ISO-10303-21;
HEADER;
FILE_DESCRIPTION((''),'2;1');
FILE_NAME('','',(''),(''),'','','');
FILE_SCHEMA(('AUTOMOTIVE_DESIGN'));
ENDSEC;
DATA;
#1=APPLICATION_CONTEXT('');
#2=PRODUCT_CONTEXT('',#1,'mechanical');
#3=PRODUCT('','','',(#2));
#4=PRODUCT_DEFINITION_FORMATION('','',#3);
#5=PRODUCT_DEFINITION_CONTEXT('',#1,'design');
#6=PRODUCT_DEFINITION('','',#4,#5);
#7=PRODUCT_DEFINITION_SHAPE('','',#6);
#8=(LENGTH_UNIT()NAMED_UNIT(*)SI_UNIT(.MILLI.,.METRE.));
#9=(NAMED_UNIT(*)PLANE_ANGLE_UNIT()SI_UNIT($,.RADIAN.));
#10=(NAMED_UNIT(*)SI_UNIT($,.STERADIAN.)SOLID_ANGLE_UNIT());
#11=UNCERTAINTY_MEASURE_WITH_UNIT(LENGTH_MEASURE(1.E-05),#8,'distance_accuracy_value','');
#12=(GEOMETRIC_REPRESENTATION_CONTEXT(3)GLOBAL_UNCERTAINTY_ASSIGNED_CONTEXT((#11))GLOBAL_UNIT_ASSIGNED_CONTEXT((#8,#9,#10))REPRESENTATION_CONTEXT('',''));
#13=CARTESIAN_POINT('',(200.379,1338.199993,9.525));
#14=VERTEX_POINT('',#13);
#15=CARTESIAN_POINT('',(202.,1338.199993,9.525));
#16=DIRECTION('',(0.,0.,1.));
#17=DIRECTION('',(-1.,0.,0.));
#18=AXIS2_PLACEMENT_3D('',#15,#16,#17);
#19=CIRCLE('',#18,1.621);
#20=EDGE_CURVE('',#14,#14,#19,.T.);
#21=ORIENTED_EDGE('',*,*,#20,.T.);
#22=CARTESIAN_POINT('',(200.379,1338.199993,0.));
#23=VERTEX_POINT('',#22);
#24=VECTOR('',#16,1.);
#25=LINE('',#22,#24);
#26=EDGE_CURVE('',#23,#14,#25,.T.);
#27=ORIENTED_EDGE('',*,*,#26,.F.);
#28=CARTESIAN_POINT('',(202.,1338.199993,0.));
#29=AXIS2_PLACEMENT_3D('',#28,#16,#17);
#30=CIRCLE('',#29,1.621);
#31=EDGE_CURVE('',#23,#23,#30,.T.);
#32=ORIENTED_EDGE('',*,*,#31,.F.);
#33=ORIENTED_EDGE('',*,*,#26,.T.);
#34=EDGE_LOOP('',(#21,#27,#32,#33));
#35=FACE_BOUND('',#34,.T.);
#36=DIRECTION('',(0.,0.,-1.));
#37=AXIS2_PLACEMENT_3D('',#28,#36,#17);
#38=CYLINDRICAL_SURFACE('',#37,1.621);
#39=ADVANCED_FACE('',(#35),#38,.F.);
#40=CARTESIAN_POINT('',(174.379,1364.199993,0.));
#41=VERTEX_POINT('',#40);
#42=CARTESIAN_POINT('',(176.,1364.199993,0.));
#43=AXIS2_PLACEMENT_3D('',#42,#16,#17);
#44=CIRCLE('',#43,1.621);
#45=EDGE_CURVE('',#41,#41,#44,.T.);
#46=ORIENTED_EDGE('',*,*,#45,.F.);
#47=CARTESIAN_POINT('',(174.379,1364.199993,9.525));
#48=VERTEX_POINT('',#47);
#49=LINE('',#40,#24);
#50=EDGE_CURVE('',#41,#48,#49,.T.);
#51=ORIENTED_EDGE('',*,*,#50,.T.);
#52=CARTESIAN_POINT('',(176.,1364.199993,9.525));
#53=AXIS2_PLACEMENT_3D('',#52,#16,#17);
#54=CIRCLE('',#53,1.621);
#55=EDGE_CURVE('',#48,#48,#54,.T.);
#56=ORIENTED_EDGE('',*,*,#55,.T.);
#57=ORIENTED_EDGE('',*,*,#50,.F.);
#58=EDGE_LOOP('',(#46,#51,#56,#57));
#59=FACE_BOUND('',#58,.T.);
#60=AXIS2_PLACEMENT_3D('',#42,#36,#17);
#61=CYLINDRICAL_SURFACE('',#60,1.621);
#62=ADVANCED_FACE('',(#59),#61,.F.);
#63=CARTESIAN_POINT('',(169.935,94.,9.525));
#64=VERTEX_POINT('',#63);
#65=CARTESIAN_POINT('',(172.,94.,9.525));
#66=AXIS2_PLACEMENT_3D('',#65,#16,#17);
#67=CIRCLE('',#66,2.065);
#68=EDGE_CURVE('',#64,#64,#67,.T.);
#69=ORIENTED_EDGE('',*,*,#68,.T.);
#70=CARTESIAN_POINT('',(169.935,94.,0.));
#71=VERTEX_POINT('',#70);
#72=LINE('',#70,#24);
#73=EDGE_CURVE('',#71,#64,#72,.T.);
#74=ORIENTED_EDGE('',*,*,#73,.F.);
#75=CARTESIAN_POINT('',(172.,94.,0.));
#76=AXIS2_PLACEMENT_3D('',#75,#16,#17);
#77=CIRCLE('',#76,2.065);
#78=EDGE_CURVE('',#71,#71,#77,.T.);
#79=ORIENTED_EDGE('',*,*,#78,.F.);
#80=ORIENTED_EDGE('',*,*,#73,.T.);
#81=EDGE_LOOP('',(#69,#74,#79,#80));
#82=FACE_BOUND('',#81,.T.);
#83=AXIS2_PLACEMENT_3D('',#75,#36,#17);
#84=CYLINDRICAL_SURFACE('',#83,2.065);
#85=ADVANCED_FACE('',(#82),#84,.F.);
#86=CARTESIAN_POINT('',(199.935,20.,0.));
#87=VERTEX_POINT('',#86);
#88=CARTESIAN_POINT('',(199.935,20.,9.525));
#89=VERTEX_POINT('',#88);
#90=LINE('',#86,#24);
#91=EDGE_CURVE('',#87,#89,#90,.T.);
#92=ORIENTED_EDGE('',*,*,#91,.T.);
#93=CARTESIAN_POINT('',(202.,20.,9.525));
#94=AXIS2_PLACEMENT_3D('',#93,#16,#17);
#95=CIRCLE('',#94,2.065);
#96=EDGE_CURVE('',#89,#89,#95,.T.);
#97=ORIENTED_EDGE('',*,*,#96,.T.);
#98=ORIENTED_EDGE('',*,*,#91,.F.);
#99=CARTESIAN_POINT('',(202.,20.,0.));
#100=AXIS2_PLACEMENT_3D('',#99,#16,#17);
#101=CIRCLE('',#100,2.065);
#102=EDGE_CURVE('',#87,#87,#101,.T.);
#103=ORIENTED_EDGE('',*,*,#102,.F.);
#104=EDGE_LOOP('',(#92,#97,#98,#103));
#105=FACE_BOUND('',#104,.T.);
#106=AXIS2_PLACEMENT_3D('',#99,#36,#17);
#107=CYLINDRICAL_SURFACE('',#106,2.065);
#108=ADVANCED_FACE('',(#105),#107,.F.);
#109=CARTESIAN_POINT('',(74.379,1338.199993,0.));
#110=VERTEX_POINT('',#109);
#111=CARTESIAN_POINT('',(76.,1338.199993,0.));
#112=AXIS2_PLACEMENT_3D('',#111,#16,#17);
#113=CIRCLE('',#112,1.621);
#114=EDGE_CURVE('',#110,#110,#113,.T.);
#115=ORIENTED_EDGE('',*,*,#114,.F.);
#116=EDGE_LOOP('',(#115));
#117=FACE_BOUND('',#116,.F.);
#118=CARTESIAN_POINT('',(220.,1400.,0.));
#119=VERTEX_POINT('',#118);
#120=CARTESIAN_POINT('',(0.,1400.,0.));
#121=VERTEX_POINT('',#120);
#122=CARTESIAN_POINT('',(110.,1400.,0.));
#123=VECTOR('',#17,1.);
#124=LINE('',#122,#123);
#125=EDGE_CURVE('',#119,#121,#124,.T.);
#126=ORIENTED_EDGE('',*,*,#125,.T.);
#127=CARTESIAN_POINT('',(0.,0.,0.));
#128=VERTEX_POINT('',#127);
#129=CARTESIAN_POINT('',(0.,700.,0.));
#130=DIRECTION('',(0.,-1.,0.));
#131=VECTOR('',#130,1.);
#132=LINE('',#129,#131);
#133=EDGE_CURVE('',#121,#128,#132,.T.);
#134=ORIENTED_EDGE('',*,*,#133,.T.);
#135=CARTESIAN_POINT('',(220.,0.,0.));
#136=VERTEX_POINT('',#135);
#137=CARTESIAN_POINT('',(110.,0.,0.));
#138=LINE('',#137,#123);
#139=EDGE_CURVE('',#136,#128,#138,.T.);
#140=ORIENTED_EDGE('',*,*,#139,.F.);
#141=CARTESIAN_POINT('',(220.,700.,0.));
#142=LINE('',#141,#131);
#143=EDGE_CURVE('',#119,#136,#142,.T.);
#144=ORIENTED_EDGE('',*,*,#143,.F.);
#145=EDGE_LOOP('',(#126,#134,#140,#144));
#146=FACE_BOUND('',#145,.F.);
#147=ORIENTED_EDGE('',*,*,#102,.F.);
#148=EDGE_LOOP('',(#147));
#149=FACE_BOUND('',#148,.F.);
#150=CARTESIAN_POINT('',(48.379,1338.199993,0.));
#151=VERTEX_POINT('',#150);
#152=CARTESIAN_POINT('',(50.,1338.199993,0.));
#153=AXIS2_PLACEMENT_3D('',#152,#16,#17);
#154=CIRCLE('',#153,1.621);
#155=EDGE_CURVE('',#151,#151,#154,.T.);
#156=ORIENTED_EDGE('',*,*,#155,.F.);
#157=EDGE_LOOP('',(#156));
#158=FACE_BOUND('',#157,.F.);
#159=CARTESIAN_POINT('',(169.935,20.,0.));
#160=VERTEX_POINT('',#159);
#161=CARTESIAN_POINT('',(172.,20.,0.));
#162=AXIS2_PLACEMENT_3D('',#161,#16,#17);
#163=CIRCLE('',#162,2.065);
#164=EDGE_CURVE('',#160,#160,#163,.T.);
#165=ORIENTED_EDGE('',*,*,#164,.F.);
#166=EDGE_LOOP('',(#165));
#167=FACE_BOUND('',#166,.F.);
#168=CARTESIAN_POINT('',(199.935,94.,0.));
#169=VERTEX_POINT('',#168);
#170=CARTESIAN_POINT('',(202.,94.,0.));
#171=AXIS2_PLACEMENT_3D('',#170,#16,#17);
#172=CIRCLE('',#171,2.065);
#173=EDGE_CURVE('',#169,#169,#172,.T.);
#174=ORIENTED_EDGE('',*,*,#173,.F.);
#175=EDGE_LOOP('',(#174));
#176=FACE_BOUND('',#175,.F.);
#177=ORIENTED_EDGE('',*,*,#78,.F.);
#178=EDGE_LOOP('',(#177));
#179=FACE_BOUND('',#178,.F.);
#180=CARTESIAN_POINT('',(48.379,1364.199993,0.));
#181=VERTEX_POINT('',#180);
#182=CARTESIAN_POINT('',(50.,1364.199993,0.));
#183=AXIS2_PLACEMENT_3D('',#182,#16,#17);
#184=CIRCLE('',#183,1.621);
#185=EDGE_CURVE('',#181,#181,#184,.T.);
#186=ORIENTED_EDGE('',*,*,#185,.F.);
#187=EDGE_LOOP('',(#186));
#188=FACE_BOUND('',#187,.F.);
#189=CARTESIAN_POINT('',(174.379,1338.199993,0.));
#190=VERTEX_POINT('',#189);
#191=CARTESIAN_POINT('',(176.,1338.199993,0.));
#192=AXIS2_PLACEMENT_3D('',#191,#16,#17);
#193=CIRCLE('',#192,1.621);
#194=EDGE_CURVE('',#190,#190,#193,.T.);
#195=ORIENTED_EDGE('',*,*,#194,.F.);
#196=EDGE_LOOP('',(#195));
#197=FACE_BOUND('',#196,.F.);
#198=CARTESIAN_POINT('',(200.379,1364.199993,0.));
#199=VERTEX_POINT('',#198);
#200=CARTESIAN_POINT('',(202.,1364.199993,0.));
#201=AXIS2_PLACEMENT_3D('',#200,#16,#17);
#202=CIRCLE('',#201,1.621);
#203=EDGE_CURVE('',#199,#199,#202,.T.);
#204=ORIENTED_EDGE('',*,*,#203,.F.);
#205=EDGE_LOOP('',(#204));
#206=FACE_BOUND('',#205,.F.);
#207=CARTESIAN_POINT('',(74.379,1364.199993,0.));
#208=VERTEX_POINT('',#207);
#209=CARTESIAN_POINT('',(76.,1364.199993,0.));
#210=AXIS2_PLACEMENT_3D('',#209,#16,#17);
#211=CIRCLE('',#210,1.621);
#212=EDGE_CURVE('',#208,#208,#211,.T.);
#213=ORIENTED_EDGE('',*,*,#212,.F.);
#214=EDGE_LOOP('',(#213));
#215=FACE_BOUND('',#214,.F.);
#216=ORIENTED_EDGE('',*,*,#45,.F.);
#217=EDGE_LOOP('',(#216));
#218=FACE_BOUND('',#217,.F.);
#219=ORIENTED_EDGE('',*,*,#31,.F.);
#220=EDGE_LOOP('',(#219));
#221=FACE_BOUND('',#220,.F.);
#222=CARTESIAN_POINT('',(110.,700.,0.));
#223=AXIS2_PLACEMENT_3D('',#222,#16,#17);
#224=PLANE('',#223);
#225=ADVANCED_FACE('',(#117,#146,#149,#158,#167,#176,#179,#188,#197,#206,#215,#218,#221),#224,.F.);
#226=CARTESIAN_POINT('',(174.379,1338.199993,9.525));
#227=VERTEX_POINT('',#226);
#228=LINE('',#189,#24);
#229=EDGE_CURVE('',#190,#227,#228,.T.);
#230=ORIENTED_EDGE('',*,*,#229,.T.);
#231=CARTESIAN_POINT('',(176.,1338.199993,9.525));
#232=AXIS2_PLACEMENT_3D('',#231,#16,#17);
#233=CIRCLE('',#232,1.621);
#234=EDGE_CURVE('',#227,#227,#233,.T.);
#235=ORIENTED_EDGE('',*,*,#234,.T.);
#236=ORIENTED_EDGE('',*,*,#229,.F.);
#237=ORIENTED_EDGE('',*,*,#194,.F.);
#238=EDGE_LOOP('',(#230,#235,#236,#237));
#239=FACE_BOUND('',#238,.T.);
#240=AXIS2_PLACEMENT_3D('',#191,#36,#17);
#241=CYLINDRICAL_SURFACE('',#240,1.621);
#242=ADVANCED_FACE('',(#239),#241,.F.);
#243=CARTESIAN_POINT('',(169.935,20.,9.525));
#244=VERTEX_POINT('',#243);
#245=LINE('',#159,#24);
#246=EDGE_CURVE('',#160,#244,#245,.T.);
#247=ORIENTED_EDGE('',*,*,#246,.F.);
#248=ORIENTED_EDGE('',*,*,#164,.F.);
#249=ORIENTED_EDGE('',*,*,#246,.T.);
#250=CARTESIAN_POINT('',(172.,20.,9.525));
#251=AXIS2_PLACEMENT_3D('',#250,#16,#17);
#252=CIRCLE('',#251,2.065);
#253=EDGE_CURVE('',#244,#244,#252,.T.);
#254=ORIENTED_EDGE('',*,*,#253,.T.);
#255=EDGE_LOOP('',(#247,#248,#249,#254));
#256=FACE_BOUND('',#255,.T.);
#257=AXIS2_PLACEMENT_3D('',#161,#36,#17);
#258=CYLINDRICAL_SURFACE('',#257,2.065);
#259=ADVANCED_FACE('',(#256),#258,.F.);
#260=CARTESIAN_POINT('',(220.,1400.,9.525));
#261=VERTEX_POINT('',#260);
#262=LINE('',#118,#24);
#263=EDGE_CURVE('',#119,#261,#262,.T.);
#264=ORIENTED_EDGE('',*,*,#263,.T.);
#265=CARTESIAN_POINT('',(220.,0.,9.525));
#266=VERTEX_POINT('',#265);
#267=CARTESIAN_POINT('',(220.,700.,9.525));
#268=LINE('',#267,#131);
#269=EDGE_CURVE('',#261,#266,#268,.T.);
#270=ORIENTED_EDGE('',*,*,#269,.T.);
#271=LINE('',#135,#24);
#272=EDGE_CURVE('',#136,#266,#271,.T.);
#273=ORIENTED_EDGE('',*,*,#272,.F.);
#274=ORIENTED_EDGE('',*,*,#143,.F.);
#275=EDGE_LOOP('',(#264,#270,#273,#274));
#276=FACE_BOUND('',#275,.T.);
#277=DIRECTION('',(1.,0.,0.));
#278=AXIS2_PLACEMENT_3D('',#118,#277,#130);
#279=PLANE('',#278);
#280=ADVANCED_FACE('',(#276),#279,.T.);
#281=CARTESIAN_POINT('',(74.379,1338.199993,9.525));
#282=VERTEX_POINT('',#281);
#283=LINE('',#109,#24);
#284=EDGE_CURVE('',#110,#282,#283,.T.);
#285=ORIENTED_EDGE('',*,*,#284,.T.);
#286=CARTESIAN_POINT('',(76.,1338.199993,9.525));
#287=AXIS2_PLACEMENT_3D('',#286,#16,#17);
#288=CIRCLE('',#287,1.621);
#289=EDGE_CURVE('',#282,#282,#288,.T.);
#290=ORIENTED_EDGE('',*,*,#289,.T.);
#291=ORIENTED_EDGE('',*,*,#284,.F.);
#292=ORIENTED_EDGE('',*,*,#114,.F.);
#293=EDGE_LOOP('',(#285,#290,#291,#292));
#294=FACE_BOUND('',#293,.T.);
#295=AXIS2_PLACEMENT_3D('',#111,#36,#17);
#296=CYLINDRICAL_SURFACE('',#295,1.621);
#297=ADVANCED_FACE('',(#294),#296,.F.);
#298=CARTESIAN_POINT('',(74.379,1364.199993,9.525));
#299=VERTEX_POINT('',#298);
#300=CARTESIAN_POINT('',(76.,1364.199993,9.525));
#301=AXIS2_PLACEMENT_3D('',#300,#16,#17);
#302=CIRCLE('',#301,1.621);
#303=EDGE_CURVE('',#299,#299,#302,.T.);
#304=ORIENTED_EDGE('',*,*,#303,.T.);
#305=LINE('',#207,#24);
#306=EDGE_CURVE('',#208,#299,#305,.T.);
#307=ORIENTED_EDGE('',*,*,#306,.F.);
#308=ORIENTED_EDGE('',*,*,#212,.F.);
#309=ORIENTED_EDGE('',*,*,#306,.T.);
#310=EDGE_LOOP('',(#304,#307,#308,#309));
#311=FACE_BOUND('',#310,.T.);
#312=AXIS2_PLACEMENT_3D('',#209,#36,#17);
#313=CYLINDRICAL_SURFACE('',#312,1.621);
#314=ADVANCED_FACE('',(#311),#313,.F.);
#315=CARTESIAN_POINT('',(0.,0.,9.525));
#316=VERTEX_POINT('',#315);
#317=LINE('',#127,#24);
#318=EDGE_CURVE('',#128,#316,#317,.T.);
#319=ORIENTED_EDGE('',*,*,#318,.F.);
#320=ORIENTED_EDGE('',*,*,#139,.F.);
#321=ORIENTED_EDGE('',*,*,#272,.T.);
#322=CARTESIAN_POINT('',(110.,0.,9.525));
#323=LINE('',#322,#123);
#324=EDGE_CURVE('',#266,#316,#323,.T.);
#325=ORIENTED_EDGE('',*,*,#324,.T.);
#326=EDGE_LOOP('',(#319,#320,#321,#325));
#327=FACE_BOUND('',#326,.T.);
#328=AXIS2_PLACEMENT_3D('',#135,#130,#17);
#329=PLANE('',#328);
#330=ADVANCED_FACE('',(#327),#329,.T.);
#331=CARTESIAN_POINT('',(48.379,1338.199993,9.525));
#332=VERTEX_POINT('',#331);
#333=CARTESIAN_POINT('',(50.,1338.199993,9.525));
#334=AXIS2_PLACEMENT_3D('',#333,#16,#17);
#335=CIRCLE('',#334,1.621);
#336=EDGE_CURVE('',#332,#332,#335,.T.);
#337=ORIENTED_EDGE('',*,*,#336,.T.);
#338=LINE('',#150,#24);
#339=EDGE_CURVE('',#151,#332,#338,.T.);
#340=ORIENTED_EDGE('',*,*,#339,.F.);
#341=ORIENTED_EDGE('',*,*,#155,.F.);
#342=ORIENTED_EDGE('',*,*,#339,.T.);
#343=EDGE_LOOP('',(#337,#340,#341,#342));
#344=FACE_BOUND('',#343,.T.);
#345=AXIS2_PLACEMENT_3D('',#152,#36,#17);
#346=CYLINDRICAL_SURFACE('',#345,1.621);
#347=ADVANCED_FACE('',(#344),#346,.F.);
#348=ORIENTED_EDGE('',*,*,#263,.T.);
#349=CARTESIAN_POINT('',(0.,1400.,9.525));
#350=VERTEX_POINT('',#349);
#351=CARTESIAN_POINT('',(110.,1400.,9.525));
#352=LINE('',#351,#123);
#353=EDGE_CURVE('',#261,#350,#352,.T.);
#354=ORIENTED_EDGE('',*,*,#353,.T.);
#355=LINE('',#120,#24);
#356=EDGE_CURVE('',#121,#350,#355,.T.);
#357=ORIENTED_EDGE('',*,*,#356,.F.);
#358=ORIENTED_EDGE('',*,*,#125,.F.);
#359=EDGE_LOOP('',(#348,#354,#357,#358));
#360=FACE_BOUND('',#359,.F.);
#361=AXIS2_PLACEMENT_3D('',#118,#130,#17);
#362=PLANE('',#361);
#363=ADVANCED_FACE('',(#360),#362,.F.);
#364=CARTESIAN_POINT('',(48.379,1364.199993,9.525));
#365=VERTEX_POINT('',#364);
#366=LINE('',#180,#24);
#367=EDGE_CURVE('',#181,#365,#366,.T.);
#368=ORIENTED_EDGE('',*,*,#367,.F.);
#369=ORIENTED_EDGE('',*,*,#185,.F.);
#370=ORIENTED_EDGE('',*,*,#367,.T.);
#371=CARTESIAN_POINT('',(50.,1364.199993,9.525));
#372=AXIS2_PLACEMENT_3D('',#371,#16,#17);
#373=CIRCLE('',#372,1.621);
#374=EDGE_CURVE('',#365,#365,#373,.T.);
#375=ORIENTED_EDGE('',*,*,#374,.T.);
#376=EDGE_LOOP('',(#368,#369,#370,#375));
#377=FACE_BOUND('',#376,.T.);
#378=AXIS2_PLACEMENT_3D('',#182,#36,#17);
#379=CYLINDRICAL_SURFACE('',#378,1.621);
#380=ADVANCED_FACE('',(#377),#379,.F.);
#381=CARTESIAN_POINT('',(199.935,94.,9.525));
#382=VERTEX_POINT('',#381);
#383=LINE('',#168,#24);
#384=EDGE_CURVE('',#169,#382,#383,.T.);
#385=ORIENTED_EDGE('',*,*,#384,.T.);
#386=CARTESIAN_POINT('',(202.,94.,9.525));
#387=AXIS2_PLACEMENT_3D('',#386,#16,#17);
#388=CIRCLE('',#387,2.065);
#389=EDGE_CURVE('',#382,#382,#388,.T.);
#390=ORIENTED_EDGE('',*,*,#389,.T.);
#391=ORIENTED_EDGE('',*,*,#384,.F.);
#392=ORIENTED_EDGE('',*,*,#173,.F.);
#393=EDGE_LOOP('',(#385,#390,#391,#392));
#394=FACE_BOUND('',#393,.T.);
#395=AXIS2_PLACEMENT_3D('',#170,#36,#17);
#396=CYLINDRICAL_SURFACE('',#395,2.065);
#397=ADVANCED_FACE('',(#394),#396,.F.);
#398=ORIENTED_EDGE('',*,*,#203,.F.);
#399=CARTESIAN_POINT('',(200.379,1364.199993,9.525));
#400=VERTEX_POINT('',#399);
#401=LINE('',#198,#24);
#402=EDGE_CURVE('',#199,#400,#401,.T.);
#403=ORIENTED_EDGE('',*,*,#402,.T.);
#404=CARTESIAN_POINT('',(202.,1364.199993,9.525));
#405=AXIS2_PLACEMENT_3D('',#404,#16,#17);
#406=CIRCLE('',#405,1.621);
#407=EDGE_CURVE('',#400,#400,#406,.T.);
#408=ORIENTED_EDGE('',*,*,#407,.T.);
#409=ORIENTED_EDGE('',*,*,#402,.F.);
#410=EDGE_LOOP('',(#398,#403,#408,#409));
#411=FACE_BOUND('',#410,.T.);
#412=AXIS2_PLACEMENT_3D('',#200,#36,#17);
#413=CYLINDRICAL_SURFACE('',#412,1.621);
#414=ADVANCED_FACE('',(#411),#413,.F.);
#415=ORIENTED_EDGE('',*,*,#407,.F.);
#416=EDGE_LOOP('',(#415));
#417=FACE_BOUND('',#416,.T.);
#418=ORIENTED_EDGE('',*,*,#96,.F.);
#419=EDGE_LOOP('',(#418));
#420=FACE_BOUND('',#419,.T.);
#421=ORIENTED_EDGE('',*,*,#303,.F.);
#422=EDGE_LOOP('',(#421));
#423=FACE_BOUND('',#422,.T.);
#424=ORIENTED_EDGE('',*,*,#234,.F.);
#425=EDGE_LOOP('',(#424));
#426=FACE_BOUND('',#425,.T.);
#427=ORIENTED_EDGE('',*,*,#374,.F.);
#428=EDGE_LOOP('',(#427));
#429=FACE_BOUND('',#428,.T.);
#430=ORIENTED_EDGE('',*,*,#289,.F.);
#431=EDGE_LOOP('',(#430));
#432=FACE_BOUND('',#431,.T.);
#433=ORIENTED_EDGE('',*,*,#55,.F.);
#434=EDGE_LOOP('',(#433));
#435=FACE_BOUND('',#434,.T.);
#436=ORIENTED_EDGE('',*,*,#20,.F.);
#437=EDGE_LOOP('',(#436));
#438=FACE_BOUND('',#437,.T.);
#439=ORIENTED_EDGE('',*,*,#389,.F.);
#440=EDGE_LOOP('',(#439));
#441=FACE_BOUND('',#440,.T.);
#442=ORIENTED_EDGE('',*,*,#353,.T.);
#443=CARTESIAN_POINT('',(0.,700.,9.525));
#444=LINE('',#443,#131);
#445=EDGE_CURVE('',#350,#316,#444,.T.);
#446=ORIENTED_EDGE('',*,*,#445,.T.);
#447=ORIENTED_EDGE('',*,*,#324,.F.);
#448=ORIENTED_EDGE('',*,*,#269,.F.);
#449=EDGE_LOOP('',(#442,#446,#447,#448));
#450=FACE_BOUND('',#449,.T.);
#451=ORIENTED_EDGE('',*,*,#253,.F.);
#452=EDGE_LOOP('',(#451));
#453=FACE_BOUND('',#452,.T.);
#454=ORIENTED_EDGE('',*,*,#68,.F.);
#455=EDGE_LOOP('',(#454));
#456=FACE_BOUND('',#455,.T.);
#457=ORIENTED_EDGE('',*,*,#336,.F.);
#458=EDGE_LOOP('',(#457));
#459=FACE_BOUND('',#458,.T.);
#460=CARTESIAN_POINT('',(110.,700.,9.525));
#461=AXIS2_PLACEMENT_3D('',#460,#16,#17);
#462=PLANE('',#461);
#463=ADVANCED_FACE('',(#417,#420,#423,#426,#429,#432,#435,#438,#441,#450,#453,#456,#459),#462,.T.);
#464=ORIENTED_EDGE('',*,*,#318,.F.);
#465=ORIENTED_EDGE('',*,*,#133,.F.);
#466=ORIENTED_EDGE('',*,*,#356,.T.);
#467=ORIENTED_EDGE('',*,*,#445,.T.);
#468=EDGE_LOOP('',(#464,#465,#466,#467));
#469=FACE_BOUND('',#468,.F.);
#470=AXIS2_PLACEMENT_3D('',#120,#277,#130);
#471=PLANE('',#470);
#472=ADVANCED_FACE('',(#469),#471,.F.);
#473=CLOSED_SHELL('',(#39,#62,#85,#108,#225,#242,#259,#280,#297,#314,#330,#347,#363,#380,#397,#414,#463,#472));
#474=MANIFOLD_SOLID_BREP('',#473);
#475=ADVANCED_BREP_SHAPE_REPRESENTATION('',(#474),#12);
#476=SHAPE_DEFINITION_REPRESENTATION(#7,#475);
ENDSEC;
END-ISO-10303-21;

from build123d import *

# Parameters (mm, degrees)
SKETCH1_W           = 220
SKETCH1_H           = 1400
SKETCH1_R           = 2.065
SKETCH1_R_2         = 1.621
BOSS_EXTRUDE1_DEPTH = 9.525


with BuildPart() as part:
    # Sketch1 → Boss-Extrude1 (new body)
    with BuildSketch(Plane(origin=(0, 0, 0), x_dir=(-1, 0, 0), z_dir=(0, 0, 1))):
        with Locations((-110, -700)):
            Rectangle(SKETCH1_W, SKETCH1_H)
        with Locations((-202, -20)):
            Circle(SKETCH1_R, mode=Mode.SUBTRACT)
        with Locations((-172, -20)):
            Circle(SKETCH1_R, mode=Mode.SUBTRACT)
        with Locations((-202, -94)):
            Circle(SKETCH1_R, mode=Mode.SUBTRACT)
        with Locations((-172, -94)):
            Circle(SKETCH1_R, mode=Mode.SUBTRACT)
        with Locations((-202, -1338.199992786)):
            Circle(SKETCH1_R_2, mode=Mode.SUBTRACT)
        with Locations((-176, -1338.199992786)):
            Circle(SKETCH1_R_2, mode=Mode.SUBTRACT)
        with Locations((-176, -1364.199992786)):
            Circle(SKETCH1_R_2, mode=Mode.SUBTRACT)
        with Locations((-202, -1364.199992786)):
            Circle(SKETCH1_R_2, mode=Mode.SUBTRACT)
        with Locations((-76, -1338.199992786)):
            Circle(SKETCH1_R_2, mode=Mode.SUBTRACT)
        with Locations((-50, -1338.199992786)):
            Circle(SKETCH1_R_2, mode=Mode.SUBTRACT)
        with Locations((-50, -1364.199992786)):
            Circle(SKETCH1_R_2, mode=Mode.SUBTRACT)
        with Locations((-76, -1364.199992786)):
            Circle(SKETCH1_R_2, mode=Mode.SUBTRACT)
    extrude(amount=BOSS_EXTRUDE1_DEPTH)


solid = part.part
